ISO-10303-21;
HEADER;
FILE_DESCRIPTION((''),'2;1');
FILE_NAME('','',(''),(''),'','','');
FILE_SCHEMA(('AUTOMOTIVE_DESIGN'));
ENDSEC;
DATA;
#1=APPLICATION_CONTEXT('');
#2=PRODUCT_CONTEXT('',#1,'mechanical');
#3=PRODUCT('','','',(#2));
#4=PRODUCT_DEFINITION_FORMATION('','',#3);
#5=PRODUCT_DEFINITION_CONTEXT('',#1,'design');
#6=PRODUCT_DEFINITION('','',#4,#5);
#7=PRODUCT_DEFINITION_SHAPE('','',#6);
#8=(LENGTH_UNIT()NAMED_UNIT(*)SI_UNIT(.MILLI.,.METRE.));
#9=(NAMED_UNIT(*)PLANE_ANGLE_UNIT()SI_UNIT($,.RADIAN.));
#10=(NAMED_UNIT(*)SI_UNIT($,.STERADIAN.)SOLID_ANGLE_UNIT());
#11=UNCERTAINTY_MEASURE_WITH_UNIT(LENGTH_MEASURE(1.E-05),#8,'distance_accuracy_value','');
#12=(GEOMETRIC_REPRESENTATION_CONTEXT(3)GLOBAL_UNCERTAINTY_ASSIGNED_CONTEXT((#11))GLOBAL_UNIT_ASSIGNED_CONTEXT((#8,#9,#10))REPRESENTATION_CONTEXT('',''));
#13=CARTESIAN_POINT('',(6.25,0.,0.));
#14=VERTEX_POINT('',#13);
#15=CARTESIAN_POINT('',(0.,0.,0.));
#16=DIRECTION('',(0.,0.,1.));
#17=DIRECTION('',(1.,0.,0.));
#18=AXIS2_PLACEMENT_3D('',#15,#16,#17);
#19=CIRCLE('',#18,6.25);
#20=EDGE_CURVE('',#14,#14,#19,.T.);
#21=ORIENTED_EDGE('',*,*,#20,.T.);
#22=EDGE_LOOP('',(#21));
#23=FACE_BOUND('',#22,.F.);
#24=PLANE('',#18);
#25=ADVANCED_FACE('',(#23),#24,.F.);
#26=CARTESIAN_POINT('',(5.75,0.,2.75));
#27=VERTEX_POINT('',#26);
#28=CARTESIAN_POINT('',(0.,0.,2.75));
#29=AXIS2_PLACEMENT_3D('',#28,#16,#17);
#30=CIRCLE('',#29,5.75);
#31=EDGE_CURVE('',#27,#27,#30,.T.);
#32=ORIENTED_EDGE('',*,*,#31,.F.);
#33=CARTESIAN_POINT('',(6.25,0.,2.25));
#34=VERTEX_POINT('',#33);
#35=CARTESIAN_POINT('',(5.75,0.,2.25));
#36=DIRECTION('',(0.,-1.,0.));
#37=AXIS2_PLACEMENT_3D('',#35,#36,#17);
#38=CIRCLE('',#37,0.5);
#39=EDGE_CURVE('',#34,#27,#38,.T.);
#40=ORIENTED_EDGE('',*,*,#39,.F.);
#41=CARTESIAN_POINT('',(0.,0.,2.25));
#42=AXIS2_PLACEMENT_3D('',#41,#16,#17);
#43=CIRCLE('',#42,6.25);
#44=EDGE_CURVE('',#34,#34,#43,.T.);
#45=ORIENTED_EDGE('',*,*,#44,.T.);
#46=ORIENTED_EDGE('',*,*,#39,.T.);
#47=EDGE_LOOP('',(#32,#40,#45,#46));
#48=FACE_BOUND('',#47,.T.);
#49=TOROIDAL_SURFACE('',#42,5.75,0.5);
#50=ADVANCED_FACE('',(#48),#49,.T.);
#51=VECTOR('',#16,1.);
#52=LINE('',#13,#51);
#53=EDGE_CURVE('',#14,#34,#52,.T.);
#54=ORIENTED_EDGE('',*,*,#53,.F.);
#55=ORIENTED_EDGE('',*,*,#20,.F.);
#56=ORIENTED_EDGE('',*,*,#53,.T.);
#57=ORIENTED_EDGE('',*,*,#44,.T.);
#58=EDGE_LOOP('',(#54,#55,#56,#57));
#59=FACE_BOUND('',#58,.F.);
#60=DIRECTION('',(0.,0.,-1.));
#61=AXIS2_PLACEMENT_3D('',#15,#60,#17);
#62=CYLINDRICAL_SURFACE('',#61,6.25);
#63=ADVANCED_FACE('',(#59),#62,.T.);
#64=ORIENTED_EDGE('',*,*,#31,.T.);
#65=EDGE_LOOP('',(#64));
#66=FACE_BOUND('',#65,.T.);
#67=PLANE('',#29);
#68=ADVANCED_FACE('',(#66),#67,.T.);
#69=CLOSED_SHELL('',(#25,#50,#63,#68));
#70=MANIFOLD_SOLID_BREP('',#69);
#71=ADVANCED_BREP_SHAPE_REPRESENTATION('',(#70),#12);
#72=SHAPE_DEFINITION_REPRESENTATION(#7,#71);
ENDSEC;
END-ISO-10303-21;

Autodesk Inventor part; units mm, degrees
ref_plane "YZ Plane" through (0, 0, 0) normal (1, 0, 0) x (0, 1, 0)
ref_plane "XZ Plane" through (0, 0, 0) normal (0, 1, 0) x (-1, 0, 0)
ref_plane "XY Plane" through (0, 0, 0) normal (0, 0, 1) x (1, 0, 0)
sketch "Sketch1" plane through (0, 0, 0) normal (0, 0, 1) x (1, 0, 0)
  circle A0 centre (0, 0) radius 6.25
  dimension "d0" = 12.5
extrude "Extrusion1" add sketch "Sketch1" along normal blind 2.75
fillet "Fillet1" radius 0.5 1 edges at (-6.25, 0, 2.75)
properties part number "button_for_box" material "ABS Plastic"
